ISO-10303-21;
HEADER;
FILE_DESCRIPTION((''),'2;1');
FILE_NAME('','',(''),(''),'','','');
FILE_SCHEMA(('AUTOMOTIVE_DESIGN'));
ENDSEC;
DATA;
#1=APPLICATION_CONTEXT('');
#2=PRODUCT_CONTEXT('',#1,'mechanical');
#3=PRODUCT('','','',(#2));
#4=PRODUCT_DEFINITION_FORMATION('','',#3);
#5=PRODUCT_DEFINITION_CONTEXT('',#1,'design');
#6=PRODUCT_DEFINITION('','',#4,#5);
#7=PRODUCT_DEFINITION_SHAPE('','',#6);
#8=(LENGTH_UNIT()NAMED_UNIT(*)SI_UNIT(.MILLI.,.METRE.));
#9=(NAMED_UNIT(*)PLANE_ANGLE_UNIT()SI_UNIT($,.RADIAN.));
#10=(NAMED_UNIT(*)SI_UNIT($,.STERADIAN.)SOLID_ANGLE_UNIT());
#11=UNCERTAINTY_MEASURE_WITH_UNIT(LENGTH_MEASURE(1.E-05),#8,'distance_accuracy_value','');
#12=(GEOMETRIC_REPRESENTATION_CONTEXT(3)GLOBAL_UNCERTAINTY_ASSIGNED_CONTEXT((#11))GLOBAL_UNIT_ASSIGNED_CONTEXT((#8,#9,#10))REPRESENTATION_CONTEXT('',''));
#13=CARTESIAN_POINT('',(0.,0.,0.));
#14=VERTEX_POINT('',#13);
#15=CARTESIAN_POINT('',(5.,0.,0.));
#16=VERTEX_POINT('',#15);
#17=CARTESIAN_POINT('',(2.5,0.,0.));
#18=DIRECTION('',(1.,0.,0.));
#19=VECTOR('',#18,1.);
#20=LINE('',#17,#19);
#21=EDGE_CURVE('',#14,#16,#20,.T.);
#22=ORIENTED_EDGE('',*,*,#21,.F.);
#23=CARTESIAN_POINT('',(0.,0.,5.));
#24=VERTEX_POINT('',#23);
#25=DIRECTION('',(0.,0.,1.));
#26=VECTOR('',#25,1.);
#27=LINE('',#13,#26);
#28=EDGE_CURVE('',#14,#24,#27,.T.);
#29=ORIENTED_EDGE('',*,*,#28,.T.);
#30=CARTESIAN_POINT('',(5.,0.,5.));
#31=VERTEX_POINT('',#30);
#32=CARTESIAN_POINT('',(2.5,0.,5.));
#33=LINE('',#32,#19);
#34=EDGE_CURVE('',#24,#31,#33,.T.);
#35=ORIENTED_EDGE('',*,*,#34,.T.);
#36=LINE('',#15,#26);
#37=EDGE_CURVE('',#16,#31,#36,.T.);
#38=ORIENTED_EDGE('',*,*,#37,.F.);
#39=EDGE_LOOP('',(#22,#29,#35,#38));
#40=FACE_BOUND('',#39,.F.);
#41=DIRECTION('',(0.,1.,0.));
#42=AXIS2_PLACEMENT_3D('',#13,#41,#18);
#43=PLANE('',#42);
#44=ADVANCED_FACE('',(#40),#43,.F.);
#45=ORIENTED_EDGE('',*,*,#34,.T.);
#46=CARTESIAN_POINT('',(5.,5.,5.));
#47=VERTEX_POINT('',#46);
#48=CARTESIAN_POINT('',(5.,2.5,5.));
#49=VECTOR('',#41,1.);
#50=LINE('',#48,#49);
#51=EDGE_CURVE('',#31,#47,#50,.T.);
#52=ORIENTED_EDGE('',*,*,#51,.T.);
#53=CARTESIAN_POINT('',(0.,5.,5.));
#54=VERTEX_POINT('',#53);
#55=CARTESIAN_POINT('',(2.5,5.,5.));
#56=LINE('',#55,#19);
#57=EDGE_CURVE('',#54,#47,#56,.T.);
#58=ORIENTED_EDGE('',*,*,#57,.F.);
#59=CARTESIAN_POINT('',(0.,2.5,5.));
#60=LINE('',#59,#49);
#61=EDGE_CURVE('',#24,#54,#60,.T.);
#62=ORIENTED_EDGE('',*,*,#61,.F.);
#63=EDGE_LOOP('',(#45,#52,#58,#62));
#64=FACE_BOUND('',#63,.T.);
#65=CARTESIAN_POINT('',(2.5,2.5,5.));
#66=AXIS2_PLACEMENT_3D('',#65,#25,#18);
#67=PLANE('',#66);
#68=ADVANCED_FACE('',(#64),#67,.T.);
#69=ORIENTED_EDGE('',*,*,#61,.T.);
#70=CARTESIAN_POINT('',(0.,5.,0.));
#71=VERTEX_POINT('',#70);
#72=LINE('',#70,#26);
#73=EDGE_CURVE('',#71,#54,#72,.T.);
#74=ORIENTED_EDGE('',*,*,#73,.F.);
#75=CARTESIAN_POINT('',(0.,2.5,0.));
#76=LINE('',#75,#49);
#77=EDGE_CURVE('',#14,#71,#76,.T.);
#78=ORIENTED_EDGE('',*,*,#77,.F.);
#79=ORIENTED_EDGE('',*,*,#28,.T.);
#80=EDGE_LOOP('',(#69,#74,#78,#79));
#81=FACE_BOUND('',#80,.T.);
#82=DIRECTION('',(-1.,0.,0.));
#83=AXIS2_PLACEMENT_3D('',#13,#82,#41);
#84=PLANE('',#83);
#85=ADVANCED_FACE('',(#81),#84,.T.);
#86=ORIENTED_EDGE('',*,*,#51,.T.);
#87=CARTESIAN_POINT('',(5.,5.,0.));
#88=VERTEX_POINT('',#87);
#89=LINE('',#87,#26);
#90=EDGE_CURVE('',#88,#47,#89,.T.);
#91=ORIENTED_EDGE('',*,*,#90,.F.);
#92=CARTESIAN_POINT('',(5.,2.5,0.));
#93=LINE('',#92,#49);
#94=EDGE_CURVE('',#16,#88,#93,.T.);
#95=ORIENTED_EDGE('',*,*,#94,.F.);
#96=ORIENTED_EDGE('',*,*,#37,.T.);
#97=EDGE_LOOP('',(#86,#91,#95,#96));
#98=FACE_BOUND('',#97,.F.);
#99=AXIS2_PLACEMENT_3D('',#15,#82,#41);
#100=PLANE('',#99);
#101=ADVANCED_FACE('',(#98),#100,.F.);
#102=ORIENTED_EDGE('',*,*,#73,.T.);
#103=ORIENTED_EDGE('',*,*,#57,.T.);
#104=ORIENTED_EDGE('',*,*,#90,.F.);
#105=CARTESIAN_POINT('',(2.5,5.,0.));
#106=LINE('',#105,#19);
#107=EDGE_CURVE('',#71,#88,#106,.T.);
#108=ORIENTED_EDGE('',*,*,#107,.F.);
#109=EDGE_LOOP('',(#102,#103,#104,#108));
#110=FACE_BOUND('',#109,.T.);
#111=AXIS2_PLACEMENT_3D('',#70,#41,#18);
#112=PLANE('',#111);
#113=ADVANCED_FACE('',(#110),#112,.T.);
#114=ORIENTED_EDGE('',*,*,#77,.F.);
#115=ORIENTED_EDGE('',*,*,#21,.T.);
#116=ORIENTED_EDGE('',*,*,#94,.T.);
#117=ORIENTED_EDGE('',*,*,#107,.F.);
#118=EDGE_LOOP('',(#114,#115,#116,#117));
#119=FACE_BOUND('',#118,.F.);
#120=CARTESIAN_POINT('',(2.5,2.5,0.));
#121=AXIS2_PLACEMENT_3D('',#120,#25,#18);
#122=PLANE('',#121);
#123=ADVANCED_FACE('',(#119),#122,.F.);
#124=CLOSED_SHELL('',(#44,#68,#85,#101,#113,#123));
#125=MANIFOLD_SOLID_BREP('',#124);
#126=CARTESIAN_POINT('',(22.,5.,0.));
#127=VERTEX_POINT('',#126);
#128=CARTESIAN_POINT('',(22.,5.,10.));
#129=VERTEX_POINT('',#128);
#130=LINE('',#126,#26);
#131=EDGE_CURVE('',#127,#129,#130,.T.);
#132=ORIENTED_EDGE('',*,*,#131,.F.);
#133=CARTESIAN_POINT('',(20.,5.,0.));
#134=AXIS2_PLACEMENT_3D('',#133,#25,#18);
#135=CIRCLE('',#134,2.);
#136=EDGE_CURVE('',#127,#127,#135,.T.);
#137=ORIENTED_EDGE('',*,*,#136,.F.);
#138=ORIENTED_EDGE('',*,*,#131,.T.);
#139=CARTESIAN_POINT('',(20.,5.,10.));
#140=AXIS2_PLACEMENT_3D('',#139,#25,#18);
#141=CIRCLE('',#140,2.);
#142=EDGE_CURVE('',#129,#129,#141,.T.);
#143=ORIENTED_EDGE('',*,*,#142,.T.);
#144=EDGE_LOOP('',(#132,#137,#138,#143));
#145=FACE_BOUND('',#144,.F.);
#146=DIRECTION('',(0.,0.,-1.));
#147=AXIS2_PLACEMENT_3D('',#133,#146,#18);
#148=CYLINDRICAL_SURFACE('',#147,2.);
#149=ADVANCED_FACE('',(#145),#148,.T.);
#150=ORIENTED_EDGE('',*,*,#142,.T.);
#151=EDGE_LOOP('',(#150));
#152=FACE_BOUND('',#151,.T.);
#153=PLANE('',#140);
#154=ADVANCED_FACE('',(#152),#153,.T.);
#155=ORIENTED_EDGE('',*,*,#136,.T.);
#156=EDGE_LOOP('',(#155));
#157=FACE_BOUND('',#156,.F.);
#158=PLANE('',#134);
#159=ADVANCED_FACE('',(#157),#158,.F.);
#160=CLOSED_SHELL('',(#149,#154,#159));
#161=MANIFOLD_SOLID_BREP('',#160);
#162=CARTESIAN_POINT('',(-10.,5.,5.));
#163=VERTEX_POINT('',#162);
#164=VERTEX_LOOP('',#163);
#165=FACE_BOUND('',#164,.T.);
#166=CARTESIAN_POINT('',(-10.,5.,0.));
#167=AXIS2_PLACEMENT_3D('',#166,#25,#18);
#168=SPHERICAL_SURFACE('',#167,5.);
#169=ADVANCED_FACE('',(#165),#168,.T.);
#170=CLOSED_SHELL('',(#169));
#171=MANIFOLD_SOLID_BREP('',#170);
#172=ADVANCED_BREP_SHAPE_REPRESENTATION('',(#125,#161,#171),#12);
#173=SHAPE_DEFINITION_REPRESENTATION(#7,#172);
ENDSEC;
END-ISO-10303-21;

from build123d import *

# Parameters (mm, degrees)
CYLINDER_R     = 2
CYLINDER_DEPTH = 10
BOX_W          = 5
BOX_H          = 5
BOX_DEPTH      = 5


with BuildPart() as cylinder:
    # Cylinder → Cylinder (new body)
    with BuildSketch(Plane(origin=(20, 5, 0), x_dir=(1, 0, 0), z_dir=(0, 0, 1))):
        Circle(CYLINDER_R)
    extrude(amount=CYLINDER_DEPTH)


with BuildPart() as sphere:
    # Sphere → Sphere (revolve)
    with BuildSketch(Plane(origin=(-10, 5, 0), x_dir=(1, 0, 0), z_dir=(0, -1, 0))):
        with BuildLine():
            ThreePointArc((0, -5), (5, 0), (0, 5))
            Line((0, 5), (0, -5))
        make_face()
    revolve(axis=Axis((-10, 5, 0), (0, 0, 1)))


with BuildPart() as cube:
    # Box → Box (new body)
    with BuildSketch(Plane.XY):
        with Locations((2.5, 2.5)):
            Rectangle(BOX_W, BOX_H)
    extrude(amount=BOX_DEPTH)


solid = Compound([cylinder.part, sphere.part, cube.part])
